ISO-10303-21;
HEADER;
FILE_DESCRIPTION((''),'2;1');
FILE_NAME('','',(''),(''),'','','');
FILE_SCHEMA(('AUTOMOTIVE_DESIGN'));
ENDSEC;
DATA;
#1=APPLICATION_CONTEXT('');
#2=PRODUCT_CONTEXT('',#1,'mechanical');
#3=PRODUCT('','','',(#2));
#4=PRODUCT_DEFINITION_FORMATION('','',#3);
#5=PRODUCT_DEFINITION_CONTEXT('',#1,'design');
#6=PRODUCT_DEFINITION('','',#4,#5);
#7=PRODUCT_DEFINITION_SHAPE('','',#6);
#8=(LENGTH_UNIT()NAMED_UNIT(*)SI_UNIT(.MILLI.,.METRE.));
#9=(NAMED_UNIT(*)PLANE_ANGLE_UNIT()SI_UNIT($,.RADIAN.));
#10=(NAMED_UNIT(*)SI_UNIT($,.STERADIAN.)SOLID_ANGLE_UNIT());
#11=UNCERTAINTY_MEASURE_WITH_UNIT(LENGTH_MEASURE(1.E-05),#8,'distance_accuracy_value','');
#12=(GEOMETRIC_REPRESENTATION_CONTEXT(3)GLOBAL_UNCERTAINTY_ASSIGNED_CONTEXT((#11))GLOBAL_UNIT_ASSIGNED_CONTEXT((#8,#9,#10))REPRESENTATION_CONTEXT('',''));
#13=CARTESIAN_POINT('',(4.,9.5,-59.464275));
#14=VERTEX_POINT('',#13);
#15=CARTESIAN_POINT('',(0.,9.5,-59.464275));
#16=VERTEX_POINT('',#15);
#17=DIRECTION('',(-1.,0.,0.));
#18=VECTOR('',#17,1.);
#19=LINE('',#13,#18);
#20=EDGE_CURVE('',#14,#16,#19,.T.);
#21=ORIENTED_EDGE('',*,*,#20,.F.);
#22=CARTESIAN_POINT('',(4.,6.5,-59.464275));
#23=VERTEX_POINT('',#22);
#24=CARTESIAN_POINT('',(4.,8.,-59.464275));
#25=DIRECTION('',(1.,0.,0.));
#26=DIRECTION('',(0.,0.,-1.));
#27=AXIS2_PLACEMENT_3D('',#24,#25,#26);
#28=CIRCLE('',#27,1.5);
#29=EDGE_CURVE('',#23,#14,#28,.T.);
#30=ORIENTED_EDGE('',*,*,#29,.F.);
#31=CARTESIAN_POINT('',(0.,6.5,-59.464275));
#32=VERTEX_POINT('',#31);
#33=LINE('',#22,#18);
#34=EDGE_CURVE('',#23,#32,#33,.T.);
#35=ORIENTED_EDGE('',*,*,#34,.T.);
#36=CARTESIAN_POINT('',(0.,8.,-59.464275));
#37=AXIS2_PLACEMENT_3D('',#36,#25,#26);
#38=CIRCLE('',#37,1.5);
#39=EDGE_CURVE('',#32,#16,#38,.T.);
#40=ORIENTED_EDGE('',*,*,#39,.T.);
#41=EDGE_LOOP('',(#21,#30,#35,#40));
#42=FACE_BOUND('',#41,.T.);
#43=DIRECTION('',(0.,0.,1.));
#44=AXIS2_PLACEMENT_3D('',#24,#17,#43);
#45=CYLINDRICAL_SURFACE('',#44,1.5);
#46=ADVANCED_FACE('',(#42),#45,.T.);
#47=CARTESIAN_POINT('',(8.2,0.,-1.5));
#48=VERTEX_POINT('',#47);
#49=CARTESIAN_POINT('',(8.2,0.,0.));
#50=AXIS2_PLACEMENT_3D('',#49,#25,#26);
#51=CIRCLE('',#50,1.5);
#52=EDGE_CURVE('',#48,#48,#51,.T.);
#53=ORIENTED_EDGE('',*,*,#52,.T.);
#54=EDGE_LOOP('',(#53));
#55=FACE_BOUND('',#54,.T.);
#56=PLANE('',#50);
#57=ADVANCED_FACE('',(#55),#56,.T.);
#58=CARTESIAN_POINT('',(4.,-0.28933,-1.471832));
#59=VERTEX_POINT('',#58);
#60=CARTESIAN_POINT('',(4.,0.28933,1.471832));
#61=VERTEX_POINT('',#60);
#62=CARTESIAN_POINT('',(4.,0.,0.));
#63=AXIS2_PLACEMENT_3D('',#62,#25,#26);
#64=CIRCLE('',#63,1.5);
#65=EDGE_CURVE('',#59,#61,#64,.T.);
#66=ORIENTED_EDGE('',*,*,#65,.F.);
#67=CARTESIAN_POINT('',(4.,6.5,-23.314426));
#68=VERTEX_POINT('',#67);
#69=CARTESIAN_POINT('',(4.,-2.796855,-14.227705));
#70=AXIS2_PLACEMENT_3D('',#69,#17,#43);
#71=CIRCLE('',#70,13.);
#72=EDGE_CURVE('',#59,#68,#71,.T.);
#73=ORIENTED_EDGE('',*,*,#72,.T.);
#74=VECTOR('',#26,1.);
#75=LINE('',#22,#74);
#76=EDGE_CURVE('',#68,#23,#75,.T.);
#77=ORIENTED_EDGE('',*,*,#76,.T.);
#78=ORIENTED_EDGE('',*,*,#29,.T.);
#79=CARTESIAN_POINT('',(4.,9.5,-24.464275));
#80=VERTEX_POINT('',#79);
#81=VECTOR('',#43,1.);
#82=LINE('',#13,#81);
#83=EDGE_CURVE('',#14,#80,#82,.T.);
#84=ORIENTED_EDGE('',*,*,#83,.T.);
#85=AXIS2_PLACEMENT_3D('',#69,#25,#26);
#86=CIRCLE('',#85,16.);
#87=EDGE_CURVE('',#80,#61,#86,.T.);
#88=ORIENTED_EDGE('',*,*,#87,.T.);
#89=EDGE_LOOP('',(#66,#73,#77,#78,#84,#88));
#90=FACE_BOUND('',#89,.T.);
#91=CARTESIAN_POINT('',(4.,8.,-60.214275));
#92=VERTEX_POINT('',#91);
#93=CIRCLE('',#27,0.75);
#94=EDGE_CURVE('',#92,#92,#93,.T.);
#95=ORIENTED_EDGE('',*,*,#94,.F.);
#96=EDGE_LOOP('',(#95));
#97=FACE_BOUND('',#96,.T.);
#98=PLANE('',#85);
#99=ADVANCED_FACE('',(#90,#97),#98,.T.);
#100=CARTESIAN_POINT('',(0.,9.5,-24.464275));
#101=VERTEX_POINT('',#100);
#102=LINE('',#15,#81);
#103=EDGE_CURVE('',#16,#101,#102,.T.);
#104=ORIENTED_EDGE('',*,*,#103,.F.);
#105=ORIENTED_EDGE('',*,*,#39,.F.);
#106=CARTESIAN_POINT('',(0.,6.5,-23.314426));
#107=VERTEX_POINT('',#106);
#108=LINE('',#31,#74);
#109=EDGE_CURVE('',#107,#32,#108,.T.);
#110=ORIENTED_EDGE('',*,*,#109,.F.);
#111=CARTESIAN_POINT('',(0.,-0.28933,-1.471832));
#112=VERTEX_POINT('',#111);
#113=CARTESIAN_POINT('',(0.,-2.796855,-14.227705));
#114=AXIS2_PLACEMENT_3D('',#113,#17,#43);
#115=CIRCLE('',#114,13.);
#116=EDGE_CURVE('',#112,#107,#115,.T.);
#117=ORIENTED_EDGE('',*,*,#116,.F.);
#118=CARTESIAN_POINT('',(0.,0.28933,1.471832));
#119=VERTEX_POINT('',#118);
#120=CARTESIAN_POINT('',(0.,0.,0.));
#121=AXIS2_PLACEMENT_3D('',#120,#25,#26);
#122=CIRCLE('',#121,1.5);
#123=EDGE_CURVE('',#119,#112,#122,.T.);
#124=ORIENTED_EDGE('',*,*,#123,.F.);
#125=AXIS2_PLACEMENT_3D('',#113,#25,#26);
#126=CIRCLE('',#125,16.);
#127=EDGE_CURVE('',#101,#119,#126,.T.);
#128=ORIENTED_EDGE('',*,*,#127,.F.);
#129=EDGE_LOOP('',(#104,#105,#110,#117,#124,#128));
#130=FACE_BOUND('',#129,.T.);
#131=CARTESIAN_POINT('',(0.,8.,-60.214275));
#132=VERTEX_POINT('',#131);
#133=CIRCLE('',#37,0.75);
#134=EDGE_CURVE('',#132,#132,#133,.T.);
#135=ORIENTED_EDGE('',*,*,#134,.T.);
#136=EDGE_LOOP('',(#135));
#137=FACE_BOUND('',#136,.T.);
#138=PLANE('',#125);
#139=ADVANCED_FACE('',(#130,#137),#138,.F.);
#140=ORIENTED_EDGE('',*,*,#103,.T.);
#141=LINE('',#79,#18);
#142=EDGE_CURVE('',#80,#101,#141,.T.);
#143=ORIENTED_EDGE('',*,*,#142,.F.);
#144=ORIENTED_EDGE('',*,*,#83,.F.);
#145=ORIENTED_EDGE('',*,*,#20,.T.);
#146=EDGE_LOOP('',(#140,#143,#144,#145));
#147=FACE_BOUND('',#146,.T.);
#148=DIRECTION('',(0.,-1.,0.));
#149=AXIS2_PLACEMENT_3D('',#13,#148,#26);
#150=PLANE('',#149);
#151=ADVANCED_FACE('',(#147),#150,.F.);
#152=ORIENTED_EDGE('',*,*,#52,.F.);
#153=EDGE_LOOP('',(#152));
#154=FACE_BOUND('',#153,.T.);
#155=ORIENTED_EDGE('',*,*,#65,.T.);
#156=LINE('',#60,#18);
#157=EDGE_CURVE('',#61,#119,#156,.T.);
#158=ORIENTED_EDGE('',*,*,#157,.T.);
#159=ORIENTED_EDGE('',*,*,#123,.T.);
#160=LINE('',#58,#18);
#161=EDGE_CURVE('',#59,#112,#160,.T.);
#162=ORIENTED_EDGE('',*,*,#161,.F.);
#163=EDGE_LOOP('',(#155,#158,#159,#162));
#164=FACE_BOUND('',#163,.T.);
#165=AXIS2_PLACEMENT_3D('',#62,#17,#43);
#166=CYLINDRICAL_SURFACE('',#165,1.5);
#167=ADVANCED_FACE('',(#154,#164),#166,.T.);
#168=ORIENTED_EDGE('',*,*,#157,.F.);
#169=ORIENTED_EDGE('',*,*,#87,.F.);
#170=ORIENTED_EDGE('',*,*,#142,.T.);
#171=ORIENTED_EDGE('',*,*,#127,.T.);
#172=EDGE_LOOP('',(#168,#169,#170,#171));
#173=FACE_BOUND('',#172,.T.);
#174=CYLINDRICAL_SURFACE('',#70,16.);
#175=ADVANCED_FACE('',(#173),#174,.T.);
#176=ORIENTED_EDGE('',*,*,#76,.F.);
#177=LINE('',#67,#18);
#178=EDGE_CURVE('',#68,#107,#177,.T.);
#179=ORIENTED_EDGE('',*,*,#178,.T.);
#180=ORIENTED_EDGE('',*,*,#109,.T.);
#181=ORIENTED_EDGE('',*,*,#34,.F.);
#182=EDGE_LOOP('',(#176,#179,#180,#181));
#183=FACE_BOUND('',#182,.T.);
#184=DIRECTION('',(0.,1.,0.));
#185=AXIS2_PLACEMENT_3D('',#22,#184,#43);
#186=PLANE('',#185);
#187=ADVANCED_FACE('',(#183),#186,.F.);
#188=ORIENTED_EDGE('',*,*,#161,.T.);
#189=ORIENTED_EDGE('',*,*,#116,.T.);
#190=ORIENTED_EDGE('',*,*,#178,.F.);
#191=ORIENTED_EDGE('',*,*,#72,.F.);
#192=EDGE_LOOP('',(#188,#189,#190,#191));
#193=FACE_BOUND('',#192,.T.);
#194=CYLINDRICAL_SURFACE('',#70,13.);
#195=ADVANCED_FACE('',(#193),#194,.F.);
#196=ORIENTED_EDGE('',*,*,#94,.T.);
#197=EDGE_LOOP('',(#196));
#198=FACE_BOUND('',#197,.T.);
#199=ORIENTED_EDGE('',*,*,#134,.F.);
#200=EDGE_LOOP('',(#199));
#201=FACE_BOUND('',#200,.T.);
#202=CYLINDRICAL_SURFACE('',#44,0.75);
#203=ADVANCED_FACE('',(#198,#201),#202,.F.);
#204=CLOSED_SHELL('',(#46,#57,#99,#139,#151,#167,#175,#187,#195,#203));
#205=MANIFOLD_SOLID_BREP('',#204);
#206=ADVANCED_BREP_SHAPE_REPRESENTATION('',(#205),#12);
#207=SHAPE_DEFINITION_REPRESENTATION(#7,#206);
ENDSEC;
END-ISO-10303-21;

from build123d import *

# Parameters (mm, degrees)
SKETCH1_R           = 0.75
BOSS_EXTRUDE1_DEPTH = 4
SKETCH2_R           = 1.5
BOSS_EXTRUDE2_DEPTH = 4.2


with BuildPart() as part:
    # Sketch1 → Boss-Extrude1 (new body)
    with BuildSketch(Plane(origin=(0, 0, 0), x_dir=(0, 0, -1), z_dir=(1, 0, 0))):
        with BuildLine():
            Line((59.464274989, 9.5), (24.464274989, 9.5))
            ThreePointArc((24.464274989, 9.5), (8.873257316, 12.280607794), (-1.471831597, 0.289329831))
            ThreePointArc((-1.471831597, 0.289329831), (-0.289329829, -1.471831597), (1.471831597, -0.289329827))
            ThreePointArc((1.471831597, -0.289329827), (10.369024088, 9.617273138), (23.31442577, 6.5))
            Line((23.31442577, 6.5), (59.464274989, 6.5))
            ThreePointArc((59.464274989, 6.5), (60.964274989, 8), (59.464274989, 9.5))
        make_face()
        with Locations((59.464274989, 8)):
            Circle(SKETCH1_R, mode=Mode.SUBTRACT)
    extrude(amount=BOSS_EXTRUDE1_DEPTH)

    # Sketch2 → Boss-Extrude2 (add)
    with BuildSketch(Plane(origin=(4, 0, 0), x_dir=(0, 0, -1), z_dir=(1, 0, 0))):
        with Locations(Location((0, 0, 0), (0, 0, 168.878711661))):
            Circle(SKETCH2_R)
    extrude(amount=BOSS_EXTRUDE2_DEPTH)


solid = part.part
